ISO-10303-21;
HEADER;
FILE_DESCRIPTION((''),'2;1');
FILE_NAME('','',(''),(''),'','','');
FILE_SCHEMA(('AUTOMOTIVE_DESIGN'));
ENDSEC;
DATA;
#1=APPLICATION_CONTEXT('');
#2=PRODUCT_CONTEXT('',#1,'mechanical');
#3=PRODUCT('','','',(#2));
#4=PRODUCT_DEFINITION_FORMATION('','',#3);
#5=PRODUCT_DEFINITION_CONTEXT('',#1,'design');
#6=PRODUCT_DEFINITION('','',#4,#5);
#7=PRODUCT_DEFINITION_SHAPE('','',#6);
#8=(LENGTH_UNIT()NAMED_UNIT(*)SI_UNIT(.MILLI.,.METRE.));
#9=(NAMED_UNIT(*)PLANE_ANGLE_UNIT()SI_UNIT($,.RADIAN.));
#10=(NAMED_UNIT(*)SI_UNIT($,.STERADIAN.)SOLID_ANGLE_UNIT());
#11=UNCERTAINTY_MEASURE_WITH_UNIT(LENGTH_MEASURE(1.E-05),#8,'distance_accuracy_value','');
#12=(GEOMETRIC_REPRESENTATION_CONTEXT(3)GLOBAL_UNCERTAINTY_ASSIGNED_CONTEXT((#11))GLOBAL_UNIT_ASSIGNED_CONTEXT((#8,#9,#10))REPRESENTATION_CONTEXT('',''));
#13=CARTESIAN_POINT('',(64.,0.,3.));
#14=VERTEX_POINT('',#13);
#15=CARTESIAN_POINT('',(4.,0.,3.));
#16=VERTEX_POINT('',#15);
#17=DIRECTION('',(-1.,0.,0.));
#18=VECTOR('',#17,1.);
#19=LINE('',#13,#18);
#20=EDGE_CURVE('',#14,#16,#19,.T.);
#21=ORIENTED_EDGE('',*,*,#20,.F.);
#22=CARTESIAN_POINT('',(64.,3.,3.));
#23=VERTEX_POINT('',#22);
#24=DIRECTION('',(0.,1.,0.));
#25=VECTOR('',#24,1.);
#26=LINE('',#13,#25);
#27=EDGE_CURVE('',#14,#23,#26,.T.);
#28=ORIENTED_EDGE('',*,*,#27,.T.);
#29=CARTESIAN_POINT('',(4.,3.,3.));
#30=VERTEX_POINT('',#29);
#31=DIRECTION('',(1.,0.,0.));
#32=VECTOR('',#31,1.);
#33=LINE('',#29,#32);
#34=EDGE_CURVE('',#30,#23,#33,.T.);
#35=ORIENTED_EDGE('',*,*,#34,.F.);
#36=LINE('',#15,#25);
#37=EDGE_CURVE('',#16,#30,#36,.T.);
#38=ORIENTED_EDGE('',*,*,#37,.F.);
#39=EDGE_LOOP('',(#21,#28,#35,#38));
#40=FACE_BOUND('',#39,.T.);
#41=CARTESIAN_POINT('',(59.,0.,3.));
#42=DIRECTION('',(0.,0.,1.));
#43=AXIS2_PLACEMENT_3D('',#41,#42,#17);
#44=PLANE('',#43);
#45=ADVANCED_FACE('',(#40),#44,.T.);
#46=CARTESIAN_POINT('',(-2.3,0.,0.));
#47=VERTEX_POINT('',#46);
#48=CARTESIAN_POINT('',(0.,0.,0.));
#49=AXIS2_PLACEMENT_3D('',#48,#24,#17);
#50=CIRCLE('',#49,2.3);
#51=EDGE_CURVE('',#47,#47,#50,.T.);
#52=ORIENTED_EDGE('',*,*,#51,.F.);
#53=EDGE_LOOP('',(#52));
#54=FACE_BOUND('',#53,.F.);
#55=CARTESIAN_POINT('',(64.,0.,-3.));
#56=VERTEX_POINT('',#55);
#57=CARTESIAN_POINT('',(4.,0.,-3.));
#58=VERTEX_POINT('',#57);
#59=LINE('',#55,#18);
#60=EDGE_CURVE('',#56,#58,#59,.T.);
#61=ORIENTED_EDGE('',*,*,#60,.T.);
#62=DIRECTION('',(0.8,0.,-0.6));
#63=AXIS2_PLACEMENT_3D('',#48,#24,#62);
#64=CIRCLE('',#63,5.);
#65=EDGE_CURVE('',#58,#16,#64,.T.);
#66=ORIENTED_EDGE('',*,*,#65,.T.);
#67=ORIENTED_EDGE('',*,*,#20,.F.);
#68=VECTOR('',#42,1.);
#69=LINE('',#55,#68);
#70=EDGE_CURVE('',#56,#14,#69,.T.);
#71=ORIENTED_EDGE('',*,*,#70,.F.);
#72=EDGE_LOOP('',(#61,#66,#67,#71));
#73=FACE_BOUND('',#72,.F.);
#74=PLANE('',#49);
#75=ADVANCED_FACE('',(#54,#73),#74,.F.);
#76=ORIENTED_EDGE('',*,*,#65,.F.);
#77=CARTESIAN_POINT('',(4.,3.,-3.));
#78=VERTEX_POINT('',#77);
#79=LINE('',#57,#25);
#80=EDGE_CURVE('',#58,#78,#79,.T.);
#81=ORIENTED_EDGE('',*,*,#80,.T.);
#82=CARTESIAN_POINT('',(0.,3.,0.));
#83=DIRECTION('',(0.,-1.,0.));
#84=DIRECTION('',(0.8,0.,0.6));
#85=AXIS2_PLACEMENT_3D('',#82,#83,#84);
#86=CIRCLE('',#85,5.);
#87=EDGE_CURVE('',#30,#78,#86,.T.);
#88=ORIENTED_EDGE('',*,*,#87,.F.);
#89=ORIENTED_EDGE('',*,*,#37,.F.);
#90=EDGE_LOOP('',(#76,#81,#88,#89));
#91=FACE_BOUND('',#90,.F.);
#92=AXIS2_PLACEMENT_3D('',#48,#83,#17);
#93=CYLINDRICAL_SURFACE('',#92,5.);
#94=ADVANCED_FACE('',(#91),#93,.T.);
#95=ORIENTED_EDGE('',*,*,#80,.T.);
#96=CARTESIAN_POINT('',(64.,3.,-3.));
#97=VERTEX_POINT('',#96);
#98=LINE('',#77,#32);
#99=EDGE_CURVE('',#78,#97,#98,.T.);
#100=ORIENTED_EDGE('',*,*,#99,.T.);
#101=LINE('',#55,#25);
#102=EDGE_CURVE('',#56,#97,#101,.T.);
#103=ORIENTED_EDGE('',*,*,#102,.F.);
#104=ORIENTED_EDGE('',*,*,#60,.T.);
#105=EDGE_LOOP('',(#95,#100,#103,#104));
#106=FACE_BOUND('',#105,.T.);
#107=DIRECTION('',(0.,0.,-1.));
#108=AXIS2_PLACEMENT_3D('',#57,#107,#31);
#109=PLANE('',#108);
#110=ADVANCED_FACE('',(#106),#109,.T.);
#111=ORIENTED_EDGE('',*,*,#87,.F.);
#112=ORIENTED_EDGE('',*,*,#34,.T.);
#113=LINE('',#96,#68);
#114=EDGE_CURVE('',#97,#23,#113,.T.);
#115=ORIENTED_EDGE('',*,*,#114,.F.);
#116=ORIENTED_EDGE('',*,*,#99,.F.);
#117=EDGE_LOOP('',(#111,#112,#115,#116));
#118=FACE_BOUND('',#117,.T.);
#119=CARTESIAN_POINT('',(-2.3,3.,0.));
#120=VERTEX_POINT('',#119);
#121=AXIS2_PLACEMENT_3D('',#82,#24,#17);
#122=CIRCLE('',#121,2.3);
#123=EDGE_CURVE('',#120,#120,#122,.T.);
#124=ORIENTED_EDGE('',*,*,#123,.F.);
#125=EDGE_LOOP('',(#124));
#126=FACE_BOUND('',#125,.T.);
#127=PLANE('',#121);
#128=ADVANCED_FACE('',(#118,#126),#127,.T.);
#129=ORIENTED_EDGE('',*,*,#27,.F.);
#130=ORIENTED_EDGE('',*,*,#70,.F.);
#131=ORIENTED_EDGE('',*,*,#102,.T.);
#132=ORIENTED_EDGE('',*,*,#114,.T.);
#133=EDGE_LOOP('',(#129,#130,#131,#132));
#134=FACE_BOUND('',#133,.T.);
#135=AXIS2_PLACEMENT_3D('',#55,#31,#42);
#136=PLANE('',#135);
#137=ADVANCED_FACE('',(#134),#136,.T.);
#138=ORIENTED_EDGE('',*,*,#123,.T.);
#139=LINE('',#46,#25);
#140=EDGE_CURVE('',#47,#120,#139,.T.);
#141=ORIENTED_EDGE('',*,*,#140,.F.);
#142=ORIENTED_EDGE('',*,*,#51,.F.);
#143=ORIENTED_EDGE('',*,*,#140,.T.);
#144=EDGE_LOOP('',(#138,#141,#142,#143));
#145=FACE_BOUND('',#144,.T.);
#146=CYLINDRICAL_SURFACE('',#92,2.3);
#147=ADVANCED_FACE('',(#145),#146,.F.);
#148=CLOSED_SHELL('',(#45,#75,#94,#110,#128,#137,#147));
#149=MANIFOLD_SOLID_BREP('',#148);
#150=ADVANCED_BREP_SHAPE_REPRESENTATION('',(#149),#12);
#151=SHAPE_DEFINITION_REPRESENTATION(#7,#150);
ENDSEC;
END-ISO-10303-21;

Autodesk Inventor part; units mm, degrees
ref_plane "YZ Plane" through (0, 0, 0) normal (1, 0, 0) x (0, 1, 0)
ref_plane "XZ Plane" through (0, 0, 0) normal (0, 1, 0) x (-1, 0, 0)
ref_plane "XY Plane" through (0, 0, 0) normal (0, 0, 1) x (1, 0, 0)
sketch "Sketch1" plane through (0, 0, 0) normal (0, 1, 0) x (-1, 0, 0)
  circle A0 centre (0, 0) radius 2.3
  circle A1 centre (0, 0) radius 5
  line L0 (-4, -3) -> (-59, -3)
  line L1 (-59, -3) -> (-59, 3)
  line L2 (-59, 3) -> (-4, 3)
  line L3 (-5, 0) -> (-5, -3)
  line L4 (-5, -3) -> (-64, -3)
  line L5 (-64, -3) -> (-64, 3)
  line L6 (-64, 3) -> (-59, 3)
  dimension "d0" = 4.6
  dimension "d1" = 10
  dimension "d4" = 6
  dimension "d8" = 59
extrude "Extrusion2" add sketch "Sketch1" along normal blind 3
properties part number "GateLid"
